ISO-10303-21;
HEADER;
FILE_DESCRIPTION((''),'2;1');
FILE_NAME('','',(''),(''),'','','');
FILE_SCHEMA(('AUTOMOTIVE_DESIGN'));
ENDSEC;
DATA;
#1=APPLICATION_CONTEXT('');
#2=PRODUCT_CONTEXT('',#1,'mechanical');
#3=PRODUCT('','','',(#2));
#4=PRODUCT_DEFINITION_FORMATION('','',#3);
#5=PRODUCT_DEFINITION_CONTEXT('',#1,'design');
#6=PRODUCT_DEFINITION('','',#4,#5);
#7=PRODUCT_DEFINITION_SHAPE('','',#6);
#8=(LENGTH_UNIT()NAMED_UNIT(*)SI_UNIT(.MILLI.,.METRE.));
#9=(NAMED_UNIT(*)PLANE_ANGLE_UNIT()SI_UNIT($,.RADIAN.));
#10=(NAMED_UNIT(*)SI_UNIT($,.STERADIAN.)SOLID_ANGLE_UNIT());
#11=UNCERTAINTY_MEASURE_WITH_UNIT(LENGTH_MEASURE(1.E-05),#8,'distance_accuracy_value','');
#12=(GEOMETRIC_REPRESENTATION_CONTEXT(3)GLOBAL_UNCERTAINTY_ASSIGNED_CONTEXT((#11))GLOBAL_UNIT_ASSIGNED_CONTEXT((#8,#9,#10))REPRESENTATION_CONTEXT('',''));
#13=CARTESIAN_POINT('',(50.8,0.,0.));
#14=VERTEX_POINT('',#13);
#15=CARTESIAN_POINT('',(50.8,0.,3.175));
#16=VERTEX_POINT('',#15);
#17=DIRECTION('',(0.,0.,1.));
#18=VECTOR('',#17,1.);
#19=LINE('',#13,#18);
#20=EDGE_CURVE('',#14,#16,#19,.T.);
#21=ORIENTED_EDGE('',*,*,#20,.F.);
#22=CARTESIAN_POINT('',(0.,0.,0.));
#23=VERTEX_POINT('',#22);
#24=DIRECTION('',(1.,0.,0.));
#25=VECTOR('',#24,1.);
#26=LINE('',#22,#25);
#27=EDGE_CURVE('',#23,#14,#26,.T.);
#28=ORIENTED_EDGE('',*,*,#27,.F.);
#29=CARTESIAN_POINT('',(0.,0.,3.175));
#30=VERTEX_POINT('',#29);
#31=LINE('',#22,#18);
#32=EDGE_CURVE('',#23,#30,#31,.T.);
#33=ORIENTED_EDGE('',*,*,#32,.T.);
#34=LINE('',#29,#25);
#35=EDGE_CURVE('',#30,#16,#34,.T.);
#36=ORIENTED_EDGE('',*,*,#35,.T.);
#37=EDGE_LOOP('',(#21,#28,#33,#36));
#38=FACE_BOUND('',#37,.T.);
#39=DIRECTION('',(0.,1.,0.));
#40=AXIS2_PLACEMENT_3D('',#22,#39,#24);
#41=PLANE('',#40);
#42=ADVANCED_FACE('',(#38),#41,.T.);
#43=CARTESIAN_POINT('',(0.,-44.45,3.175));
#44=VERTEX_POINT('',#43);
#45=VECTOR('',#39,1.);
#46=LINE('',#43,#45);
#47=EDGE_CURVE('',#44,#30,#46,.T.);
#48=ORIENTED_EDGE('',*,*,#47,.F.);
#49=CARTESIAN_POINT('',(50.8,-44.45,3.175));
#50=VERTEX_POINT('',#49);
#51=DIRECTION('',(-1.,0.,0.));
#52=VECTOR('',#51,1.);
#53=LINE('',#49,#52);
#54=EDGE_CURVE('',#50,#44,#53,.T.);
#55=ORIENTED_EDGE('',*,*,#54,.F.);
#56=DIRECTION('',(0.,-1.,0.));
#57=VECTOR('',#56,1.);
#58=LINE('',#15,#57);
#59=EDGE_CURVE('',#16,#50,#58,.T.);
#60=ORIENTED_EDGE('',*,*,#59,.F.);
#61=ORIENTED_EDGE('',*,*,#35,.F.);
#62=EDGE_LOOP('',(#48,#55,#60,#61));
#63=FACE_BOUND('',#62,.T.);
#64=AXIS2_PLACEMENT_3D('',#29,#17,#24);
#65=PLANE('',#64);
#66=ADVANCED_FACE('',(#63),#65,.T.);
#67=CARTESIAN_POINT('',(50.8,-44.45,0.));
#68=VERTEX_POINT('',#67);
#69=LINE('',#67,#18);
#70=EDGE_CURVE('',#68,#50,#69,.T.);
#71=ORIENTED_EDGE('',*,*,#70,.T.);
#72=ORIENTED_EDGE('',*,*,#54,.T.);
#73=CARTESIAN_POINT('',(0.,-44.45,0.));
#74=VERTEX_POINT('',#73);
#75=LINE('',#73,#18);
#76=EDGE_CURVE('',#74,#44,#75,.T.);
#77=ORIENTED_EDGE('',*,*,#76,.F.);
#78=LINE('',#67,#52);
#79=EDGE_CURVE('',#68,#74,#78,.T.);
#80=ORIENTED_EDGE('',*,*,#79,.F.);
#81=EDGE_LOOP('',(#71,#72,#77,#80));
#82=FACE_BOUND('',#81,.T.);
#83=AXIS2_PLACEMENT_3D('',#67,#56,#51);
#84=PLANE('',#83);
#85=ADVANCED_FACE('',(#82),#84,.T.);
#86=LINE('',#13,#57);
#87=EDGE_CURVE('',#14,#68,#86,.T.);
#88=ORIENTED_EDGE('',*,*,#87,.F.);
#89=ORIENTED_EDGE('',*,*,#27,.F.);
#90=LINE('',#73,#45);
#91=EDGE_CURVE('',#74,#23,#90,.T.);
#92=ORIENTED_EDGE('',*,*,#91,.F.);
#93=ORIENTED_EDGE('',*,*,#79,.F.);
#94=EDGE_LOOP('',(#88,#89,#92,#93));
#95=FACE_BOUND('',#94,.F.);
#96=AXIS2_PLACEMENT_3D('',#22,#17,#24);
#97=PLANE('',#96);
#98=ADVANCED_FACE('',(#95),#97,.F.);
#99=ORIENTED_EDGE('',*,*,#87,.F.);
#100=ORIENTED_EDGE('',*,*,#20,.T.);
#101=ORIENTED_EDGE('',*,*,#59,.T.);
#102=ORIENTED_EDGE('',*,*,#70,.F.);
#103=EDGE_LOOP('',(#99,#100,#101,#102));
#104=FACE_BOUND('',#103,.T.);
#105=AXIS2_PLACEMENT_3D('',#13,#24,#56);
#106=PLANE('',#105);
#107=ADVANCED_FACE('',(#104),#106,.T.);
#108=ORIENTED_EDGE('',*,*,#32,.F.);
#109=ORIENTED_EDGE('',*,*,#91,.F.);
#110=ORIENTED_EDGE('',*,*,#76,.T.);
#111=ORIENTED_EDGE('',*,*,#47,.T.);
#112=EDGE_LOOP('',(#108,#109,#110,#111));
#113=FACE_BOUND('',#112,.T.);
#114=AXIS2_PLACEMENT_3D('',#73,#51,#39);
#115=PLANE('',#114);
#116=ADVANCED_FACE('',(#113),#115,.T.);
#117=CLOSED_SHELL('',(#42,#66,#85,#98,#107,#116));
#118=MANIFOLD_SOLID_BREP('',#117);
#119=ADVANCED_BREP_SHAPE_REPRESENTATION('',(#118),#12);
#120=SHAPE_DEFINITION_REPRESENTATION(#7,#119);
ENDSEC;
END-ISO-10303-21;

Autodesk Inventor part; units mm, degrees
ref_plane "YZ Plane" through (0, 0, 0) normal (1, 0, 0) x (0, 1, 0)
ref_plane "XZ Plane" through (0, 0, 0) normal (0, 1, 0) x (-1, 0, 0)
ref_plane "XY Plane" through (0, 0, 0) normal (0, 0, 1) x (1, 0, 0)
sketch "Sketch1" plane through (0, 0, 0) normal (0, 0, 1) x (1, 0, 0)
  line L0 (0, 0) -> (50.8, 0)
  line L1 (50.8, 0) -> (50.8, -44.45)
  line L2 (50.8, -44.45) -> (0, -44.45)
  line L3 (0, -44.45) -> (0, 0)
  dimension "d0" = 50.8
  dimension "d1" = 44.45
extrude "Extrusion1" add sketch "Sketch1" along normal blind 3.175
properties part number "Aluminum U-Channel Holder"
